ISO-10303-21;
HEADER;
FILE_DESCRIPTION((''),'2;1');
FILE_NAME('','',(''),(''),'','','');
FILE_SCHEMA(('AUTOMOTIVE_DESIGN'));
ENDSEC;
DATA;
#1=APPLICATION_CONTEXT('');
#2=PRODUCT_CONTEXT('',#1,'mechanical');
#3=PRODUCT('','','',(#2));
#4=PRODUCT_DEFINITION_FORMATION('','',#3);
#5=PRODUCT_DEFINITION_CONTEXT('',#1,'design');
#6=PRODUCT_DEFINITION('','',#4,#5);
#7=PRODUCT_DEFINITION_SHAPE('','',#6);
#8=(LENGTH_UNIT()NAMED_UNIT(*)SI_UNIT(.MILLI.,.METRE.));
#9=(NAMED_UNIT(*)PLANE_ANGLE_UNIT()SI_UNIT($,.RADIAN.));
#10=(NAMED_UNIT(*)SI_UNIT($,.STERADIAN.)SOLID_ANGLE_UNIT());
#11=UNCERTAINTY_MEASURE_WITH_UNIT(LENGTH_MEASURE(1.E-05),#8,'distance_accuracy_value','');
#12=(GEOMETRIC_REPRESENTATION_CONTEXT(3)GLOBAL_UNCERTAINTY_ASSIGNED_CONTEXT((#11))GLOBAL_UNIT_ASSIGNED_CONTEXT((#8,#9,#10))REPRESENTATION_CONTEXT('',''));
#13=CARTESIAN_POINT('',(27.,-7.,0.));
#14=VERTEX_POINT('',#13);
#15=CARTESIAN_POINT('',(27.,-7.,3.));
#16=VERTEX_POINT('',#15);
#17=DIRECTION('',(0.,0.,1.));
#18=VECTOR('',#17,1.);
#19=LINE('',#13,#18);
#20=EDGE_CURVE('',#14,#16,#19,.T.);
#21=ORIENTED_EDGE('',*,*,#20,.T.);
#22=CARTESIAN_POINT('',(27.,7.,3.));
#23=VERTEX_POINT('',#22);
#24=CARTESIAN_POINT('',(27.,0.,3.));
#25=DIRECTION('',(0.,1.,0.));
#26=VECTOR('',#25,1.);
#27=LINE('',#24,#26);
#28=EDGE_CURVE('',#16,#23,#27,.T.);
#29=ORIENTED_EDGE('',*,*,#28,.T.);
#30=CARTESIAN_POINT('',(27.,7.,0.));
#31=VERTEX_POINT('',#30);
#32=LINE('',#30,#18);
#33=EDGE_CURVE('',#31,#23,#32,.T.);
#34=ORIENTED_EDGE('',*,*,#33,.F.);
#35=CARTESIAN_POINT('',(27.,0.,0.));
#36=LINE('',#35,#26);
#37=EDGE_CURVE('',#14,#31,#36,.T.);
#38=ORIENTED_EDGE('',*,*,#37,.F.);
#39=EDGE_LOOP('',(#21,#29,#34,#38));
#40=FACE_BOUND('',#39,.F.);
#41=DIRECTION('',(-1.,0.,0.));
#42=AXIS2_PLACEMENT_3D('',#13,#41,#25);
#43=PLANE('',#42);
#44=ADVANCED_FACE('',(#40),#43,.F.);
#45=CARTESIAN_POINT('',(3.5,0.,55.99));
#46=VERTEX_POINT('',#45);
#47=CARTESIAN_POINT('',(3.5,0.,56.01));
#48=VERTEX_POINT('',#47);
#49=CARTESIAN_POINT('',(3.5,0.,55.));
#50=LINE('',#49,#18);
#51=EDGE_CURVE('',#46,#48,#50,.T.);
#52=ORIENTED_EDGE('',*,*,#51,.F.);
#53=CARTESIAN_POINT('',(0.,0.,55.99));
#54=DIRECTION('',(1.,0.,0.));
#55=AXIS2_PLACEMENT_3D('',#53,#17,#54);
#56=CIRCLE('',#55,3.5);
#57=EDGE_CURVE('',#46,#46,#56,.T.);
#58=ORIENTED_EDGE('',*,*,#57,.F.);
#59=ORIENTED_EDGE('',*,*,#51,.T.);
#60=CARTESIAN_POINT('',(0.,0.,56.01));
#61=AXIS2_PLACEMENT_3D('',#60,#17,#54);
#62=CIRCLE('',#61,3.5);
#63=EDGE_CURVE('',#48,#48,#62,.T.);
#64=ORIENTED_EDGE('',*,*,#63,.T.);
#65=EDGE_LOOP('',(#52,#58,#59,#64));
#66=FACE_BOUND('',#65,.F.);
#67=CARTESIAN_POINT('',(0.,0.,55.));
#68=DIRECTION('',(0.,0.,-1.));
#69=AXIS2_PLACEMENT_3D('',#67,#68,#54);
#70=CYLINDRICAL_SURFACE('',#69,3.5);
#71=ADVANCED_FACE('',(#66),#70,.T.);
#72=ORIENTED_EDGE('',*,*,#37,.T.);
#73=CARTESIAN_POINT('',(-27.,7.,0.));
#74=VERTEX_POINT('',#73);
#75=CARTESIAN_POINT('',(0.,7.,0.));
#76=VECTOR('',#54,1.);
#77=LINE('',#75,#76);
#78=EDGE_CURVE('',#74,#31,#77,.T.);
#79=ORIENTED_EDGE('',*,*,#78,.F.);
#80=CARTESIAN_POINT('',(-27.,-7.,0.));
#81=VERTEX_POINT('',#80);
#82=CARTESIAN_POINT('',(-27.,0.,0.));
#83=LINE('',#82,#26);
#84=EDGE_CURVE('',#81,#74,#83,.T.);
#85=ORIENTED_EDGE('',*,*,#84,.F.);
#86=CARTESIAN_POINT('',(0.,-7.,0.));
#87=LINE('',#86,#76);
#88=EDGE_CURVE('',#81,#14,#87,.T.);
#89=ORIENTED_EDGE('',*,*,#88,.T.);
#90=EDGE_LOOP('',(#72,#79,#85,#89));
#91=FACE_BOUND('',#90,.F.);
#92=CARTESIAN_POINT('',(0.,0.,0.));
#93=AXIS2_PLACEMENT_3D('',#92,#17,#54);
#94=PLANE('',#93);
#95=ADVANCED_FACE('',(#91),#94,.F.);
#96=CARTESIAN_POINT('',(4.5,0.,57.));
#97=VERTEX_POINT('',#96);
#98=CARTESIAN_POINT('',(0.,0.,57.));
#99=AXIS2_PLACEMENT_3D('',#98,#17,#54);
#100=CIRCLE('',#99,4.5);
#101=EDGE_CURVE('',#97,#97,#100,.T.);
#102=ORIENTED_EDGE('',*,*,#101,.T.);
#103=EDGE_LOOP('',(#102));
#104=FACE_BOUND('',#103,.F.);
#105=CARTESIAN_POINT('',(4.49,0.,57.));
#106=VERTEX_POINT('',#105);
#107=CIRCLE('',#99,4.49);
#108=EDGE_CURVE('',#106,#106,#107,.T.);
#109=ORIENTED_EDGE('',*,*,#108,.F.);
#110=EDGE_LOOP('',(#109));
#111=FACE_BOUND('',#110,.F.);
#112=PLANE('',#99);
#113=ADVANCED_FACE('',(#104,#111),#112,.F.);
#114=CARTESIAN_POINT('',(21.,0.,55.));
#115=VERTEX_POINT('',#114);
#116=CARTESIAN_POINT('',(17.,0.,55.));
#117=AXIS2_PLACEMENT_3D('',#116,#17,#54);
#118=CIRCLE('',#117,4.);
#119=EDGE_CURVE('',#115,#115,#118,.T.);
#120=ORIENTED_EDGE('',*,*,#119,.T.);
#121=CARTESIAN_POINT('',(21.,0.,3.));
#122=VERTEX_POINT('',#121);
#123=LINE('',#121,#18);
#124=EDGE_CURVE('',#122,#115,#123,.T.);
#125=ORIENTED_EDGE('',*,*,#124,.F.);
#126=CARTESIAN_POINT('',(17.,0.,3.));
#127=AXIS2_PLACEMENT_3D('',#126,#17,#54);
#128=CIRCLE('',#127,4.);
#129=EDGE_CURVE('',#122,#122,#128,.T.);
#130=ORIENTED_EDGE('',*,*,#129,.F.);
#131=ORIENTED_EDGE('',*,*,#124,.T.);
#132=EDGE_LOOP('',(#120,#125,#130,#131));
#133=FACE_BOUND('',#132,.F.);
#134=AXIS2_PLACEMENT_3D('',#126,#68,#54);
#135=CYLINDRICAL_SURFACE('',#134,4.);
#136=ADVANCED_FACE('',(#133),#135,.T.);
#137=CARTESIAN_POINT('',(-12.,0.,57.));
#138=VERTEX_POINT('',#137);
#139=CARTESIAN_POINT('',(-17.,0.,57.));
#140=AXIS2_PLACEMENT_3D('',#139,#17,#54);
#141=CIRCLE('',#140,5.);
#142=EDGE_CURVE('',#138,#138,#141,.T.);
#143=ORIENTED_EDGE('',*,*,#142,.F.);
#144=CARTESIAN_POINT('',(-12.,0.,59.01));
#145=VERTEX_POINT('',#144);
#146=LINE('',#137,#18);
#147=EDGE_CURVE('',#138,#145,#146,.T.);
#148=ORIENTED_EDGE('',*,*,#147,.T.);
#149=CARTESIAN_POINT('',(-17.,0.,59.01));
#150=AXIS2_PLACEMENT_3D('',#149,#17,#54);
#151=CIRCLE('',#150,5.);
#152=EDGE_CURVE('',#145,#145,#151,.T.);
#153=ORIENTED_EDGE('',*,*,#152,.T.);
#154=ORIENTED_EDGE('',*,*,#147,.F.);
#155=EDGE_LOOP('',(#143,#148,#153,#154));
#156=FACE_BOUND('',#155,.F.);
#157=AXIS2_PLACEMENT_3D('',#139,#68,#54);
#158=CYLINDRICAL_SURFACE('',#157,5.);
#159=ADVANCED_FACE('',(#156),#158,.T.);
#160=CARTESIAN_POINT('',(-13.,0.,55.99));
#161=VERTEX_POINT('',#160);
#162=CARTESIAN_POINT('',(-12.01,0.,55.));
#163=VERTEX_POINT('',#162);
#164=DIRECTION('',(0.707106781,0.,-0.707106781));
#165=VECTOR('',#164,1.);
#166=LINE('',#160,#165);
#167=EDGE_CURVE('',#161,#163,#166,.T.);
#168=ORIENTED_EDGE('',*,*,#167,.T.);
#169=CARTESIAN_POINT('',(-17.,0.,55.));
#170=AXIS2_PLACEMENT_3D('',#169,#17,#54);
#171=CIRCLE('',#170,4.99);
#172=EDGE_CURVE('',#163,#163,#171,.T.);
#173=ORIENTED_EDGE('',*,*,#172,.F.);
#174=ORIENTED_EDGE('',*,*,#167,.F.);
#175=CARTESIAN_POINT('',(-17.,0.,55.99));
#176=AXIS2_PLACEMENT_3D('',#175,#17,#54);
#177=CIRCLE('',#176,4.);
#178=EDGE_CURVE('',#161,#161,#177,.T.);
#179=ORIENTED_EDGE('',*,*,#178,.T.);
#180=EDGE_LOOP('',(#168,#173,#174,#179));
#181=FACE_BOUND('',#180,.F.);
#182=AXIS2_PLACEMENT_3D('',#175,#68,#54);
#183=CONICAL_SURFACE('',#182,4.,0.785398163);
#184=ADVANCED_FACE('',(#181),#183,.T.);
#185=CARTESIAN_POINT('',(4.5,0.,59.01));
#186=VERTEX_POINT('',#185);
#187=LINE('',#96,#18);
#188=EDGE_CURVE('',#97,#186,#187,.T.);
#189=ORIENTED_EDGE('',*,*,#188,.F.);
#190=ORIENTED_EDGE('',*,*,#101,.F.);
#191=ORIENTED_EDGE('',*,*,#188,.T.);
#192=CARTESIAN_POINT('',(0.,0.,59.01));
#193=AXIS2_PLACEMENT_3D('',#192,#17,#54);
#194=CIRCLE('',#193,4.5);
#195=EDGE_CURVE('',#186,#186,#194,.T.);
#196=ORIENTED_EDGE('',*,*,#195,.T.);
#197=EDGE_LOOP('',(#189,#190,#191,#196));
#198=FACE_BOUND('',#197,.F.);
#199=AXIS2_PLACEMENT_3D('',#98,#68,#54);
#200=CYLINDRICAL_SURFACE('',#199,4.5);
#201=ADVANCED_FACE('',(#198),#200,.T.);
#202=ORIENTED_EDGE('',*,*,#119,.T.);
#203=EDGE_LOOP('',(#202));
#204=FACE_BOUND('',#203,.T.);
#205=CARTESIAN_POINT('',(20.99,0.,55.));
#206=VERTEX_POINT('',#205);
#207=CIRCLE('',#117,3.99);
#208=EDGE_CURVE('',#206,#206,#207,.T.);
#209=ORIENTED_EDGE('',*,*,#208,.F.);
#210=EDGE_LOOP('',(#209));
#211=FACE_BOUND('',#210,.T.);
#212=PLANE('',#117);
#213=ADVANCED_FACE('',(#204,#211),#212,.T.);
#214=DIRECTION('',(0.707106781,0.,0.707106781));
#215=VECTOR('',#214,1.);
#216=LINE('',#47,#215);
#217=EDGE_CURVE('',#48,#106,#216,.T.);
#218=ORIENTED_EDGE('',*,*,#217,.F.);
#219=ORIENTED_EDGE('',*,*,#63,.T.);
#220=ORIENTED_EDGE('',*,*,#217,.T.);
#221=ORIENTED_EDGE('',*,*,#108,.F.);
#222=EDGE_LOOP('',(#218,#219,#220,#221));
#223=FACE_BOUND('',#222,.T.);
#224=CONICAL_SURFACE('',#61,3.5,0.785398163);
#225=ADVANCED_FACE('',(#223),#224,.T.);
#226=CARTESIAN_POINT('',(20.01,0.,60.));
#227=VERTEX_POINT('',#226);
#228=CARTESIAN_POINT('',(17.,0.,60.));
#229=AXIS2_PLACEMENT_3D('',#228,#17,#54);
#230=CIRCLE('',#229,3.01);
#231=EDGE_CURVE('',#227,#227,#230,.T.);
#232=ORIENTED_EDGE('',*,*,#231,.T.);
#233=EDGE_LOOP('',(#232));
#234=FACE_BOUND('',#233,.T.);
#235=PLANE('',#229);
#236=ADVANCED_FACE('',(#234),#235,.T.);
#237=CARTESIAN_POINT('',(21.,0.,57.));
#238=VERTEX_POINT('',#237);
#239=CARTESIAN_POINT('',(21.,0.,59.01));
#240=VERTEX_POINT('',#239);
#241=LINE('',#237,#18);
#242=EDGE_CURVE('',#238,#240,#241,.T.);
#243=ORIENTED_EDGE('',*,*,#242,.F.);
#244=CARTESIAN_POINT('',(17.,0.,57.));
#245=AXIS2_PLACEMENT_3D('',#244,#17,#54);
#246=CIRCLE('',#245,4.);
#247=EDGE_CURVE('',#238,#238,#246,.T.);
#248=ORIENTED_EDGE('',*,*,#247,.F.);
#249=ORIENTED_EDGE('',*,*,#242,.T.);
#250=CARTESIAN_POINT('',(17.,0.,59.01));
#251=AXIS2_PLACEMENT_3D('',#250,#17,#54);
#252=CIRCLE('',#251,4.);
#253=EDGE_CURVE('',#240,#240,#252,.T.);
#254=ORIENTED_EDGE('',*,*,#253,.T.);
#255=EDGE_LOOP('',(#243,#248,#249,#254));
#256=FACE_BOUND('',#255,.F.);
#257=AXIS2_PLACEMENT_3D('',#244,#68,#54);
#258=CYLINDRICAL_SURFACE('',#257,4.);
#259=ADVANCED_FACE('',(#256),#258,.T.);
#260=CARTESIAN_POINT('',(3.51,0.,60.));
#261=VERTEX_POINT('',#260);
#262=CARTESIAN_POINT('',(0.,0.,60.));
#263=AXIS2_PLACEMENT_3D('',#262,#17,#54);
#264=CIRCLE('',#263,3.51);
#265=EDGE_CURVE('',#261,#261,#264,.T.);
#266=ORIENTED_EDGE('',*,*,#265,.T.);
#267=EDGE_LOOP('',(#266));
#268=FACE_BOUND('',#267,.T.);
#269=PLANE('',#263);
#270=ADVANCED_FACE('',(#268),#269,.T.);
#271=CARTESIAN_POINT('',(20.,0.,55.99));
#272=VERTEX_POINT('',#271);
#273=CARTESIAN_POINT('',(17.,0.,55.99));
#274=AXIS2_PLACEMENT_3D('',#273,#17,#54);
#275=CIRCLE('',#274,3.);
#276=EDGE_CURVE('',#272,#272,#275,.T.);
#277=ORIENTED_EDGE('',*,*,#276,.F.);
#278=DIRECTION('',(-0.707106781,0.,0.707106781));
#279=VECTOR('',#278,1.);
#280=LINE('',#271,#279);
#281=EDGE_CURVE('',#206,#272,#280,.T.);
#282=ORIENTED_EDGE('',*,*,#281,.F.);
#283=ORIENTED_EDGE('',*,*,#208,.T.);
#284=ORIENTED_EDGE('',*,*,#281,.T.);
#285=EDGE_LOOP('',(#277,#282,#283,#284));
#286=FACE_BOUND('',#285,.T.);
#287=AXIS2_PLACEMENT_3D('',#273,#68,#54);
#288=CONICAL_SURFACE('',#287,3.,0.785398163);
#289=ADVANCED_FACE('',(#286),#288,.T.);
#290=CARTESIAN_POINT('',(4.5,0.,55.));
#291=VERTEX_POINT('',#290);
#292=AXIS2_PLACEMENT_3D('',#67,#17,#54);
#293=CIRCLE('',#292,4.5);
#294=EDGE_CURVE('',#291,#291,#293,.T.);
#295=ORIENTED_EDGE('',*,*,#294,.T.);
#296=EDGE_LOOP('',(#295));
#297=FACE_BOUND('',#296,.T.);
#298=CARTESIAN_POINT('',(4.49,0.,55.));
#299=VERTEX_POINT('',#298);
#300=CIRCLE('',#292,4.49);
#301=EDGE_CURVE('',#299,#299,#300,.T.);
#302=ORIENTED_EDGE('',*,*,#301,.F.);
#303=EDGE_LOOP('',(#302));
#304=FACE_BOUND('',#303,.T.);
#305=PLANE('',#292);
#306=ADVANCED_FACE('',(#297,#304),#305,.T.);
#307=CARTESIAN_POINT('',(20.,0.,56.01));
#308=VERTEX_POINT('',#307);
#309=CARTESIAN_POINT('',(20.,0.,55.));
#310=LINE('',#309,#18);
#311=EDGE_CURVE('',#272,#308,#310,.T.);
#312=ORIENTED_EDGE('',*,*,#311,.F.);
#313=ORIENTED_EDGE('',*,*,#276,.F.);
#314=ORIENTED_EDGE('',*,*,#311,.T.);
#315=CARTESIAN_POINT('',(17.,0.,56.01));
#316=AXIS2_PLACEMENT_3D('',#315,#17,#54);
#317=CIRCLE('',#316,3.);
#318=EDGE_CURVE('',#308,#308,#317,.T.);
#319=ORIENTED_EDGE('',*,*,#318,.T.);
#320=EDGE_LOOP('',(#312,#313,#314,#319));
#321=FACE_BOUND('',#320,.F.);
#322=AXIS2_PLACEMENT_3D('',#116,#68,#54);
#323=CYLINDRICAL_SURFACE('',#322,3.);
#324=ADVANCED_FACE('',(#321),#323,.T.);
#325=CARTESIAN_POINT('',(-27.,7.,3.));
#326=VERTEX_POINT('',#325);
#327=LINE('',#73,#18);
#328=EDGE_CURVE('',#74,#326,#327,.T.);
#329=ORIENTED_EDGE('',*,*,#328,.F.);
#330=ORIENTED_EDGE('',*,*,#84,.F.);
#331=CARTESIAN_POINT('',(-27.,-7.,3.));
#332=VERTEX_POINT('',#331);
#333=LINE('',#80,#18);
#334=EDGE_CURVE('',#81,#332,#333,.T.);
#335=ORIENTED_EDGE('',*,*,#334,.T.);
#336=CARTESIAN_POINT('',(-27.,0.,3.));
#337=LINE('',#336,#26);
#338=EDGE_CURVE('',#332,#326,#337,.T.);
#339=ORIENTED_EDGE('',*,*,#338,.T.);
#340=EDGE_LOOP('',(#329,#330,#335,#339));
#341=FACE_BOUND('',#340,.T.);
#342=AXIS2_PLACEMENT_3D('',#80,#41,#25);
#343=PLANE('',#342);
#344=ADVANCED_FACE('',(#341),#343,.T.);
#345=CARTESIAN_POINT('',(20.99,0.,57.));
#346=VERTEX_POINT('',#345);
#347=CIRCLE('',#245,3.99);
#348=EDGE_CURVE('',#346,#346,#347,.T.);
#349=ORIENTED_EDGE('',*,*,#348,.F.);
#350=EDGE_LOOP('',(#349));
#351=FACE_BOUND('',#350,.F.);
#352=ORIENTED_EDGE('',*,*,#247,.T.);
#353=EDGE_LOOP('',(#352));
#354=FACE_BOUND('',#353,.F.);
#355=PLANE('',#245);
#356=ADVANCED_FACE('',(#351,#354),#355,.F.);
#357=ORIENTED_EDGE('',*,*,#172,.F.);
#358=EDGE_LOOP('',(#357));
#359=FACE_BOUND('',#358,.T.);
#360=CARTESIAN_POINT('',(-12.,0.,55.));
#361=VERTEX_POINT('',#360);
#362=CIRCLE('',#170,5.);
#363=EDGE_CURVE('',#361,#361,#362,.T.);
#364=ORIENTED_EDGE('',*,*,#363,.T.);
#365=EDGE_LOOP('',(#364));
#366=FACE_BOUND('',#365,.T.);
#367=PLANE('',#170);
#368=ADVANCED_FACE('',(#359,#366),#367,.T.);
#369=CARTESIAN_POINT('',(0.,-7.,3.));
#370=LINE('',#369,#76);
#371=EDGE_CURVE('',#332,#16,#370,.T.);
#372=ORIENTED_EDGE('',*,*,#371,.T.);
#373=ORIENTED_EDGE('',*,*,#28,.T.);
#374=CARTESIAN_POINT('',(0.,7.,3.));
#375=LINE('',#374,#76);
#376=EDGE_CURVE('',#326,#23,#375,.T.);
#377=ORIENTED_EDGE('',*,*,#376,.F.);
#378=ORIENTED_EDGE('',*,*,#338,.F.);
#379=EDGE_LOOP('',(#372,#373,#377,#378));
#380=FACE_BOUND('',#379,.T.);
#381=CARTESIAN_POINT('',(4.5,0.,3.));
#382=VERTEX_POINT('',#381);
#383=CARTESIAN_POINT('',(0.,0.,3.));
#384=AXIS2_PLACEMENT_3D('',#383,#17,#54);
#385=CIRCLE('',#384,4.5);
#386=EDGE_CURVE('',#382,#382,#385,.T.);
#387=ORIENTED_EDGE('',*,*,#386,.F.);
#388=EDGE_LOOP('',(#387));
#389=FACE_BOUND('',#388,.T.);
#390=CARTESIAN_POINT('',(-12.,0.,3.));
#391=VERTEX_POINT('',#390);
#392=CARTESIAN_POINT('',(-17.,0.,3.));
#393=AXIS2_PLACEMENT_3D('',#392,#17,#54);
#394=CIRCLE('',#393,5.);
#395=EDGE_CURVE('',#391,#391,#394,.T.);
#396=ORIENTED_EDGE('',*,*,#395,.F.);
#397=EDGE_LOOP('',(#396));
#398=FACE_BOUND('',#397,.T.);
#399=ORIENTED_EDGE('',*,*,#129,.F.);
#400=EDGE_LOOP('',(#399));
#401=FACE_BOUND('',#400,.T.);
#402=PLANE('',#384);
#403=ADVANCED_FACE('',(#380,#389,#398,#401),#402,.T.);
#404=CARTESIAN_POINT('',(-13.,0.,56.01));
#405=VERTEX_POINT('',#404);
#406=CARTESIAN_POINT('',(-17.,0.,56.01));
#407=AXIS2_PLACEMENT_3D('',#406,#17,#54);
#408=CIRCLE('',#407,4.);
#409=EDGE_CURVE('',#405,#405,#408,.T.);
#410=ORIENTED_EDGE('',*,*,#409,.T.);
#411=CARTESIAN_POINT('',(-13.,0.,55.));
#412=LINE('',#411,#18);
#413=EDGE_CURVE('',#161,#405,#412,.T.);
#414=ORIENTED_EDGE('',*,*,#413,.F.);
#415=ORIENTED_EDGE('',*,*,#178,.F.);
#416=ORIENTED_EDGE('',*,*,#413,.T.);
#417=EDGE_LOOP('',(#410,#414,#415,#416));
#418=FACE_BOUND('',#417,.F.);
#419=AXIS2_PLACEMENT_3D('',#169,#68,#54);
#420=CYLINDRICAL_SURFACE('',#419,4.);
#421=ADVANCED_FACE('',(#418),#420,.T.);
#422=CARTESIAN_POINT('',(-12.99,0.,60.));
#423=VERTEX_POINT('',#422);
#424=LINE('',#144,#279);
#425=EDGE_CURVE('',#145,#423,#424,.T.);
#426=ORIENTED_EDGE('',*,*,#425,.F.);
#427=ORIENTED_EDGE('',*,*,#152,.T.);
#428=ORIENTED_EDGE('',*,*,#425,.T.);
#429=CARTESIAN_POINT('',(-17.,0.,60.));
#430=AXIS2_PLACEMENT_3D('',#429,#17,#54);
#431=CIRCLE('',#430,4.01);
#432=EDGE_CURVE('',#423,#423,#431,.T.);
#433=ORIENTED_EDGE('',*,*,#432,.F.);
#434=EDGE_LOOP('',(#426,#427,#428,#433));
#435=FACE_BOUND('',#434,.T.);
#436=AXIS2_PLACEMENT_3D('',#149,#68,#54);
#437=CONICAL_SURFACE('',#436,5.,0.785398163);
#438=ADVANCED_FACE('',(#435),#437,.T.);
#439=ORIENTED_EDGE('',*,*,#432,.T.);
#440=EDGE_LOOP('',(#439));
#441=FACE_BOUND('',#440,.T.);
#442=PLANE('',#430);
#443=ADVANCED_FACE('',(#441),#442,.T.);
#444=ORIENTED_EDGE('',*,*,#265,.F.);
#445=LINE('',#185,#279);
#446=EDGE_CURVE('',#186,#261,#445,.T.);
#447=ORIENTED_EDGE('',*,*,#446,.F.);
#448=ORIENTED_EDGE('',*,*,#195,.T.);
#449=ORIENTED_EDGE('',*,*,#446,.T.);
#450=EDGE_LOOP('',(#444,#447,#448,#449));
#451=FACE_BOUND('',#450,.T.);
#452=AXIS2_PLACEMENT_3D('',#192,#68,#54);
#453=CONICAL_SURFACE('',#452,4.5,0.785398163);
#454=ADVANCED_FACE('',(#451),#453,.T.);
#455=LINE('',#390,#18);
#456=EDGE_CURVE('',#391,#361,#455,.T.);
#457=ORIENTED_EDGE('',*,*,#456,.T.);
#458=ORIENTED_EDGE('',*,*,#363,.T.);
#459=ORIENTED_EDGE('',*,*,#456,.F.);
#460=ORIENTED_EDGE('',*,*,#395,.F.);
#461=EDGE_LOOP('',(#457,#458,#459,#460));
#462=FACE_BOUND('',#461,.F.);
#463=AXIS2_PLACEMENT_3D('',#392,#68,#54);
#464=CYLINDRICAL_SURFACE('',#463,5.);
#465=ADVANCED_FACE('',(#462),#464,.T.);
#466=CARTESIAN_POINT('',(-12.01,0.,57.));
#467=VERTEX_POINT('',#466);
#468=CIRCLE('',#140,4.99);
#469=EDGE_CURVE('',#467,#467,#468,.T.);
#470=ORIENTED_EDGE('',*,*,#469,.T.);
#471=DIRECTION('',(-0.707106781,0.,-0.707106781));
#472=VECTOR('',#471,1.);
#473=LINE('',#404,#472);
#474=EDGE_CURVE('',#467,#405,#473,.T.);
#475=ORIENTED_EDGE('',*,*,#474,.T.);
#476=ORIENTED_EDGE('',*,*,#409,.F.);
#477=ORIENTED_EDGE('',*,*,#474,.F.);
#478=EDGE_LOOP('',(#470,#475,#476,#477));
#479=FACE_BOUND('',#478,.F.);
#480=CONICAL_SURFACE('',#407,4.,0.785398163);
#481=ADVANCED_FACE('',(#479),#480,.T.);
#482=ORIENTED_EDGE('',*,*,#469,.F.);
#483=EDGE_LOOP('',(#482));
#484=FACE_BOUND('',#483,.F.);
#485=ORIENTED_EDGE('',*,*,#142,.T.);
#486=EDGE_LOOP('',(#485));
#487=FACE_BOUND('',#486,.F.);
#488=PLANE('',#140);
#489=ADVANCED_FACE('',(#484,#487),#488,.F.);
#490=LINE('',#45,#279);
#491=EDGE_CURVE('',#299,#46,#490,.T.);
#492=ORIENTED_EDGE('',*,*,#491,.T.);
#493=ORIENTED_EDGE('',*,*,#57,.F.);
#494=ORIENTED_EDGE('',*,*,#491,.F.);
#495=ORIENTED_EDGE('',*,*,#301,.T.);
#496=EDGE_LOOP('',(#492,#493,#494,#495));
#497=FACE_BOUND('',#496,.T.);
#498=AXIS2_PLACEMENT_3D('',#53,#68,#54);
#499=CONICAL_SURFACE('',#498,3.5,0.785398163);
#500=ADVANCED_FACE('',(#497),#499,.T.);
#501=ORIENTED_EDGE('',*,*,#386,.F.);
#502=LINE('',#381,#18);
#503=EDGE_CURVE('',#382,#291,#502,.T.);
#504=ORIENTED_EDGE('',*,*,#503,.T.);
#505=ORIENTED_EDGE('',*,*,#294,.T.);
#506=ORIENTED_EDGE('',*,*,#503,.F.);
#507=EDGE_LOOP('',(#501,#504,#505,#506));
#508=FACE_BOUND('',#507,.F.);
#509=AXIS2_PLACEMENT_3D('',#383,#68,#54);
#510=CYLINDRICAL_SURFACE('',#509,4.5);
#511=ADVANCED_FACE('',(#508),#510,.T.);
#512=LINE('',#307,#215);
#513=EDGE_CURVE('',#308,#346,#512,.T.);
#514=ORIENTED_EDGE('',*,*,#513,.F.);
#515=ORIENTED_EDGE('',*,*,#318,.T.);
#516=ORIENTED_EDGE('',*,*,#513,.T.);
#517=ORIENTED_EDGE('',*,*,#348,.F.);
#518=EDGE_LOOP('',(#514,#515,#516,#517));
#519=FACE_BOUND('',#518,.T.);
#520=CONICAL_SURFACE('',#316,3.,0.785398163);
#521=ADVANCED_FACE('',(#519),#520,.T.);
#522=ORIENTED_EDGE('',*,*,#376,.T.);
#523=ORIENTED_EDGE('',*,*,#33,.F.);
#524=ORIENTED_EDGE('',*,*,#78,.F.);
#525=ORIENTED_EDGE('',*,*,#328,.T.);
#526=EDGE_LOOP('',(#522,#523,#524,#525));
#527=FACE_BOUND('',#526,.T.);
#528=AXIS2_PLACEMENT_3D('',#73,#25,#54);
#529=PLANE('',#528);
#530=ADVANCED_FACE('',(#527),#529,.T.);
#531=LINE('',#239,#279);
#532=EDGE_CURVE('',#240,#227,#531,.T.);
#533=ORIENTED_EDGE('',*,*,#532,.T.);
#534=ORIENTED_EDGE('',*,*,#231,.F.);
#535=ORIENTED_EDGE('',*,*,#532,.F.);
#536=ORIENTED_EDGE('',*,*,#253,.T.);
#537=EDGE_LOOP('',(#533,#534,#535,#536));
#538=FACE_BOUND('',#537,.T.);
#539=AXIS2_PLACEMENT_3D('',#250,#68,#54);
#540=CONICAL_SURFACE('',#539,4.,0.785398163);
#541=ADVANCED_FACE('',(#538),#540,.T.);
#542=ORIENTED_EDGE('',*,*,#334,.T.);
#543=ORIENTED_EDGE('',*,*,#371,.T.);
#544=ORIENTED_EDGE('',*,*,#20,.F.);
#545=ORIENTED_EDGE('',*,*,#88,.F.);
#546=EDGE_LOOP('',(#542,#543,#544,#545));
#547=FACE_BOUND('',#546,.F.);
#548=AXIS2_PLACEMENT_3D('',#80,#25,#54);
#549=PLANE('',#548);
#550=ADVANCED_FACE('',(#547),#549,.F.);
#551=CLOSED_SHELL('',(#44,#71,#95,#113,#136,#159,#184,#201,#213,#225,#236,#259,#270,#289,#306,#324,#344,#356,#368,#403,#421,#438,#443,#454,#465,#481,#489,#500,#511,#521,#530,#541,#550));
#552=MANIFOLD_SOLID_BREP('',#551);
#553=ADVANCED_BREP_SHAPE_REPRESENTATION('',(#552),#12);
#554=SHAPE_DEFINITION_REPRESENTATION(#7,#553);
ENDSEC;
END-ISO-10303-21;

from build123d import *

# Parameters (mm, degrees)
SKETCH_W      = 54
SKETCH_H      = 14
PAD_DEPTH     = 3
SKETCH001_R   = 4.5
SKETCH001_R_2 = 4
SKETCH001_R_3 = 5
PAD001_DEPTH  = 52
SKETCH002_R   = 4
SKETCH002_R_2 = 3.5
SKETCH002_R_3 = 3
PAD002_DEPTH  = 2
SKETCH003_R   = 5
SKETCH003_R_2 = 4.5
SKETCH003_R_3 = 4
PAD003_DEPTH  = 3
CHAMFER_SIZE  = 0.99


with BuildPart() as part:
    # Sketch → Pad (new body)
    with BuildSketch(Plane.XY):
        Rectangle(SKETCH_W, SKETCH_H)
    extrude(amount=PAD_DEPTH)

    # Sketch001 (on Face6 of Pad) → Pad001 (join)
    with BuildSketch(Plane.XY.offset(3)):
        Circle(SKETCH001_R)
        with Locations((17, 0)):
            Circle(SKETCH001_R_2)
        with Locations((-17, 0)):
            Circle(SKETCH001_R_3)
    extrude(amount=PAD001_DEPTH)

    # Sketch002 (on Face10 of Pad001) → Pad002 (join)
    with BuildSketch(Plane.XY.offset(55)):
        with Locations((-17, 0)):
            Circle(SKETCH002_R)
        Circle(SKETCH002_R_2)
        with Locations((17, 0)):
            Circle(SKETCH002_R_3)
    extrude(amount=PAD002_DEPTH)

    # Sketch003 (on Face16 of Pad002) → Pad003 (join)
    with BuildSketch(Plane.XY.offset(57)):
        with Locations((-17, 0)):
            Circle(SKETCH003_R)
        Circle(SKETCH003_R_2)
        with Locations((17, 0)):
            Circle(SKETCH003_R_3)
    extrude(amount=PAD003_DEPTH)

    # Chamfer
    chamfer_edges = [part.edges().sort_by_distance(p)[0] for p in [
        (-4.5, 0, 60),
        (13, 0, 60),
        (-22, 0, 60),
        (-21, 0, 57),
        (-3.5, 0, 57),
        (14, 0, 57),
        (-21, 0, 55),
        (-3.5, 0, 55),
        (14, 0, 55),
    ]]
    chamfer(chamfer_edges, length=CHAMFER_SIZE)


solid = part.part
